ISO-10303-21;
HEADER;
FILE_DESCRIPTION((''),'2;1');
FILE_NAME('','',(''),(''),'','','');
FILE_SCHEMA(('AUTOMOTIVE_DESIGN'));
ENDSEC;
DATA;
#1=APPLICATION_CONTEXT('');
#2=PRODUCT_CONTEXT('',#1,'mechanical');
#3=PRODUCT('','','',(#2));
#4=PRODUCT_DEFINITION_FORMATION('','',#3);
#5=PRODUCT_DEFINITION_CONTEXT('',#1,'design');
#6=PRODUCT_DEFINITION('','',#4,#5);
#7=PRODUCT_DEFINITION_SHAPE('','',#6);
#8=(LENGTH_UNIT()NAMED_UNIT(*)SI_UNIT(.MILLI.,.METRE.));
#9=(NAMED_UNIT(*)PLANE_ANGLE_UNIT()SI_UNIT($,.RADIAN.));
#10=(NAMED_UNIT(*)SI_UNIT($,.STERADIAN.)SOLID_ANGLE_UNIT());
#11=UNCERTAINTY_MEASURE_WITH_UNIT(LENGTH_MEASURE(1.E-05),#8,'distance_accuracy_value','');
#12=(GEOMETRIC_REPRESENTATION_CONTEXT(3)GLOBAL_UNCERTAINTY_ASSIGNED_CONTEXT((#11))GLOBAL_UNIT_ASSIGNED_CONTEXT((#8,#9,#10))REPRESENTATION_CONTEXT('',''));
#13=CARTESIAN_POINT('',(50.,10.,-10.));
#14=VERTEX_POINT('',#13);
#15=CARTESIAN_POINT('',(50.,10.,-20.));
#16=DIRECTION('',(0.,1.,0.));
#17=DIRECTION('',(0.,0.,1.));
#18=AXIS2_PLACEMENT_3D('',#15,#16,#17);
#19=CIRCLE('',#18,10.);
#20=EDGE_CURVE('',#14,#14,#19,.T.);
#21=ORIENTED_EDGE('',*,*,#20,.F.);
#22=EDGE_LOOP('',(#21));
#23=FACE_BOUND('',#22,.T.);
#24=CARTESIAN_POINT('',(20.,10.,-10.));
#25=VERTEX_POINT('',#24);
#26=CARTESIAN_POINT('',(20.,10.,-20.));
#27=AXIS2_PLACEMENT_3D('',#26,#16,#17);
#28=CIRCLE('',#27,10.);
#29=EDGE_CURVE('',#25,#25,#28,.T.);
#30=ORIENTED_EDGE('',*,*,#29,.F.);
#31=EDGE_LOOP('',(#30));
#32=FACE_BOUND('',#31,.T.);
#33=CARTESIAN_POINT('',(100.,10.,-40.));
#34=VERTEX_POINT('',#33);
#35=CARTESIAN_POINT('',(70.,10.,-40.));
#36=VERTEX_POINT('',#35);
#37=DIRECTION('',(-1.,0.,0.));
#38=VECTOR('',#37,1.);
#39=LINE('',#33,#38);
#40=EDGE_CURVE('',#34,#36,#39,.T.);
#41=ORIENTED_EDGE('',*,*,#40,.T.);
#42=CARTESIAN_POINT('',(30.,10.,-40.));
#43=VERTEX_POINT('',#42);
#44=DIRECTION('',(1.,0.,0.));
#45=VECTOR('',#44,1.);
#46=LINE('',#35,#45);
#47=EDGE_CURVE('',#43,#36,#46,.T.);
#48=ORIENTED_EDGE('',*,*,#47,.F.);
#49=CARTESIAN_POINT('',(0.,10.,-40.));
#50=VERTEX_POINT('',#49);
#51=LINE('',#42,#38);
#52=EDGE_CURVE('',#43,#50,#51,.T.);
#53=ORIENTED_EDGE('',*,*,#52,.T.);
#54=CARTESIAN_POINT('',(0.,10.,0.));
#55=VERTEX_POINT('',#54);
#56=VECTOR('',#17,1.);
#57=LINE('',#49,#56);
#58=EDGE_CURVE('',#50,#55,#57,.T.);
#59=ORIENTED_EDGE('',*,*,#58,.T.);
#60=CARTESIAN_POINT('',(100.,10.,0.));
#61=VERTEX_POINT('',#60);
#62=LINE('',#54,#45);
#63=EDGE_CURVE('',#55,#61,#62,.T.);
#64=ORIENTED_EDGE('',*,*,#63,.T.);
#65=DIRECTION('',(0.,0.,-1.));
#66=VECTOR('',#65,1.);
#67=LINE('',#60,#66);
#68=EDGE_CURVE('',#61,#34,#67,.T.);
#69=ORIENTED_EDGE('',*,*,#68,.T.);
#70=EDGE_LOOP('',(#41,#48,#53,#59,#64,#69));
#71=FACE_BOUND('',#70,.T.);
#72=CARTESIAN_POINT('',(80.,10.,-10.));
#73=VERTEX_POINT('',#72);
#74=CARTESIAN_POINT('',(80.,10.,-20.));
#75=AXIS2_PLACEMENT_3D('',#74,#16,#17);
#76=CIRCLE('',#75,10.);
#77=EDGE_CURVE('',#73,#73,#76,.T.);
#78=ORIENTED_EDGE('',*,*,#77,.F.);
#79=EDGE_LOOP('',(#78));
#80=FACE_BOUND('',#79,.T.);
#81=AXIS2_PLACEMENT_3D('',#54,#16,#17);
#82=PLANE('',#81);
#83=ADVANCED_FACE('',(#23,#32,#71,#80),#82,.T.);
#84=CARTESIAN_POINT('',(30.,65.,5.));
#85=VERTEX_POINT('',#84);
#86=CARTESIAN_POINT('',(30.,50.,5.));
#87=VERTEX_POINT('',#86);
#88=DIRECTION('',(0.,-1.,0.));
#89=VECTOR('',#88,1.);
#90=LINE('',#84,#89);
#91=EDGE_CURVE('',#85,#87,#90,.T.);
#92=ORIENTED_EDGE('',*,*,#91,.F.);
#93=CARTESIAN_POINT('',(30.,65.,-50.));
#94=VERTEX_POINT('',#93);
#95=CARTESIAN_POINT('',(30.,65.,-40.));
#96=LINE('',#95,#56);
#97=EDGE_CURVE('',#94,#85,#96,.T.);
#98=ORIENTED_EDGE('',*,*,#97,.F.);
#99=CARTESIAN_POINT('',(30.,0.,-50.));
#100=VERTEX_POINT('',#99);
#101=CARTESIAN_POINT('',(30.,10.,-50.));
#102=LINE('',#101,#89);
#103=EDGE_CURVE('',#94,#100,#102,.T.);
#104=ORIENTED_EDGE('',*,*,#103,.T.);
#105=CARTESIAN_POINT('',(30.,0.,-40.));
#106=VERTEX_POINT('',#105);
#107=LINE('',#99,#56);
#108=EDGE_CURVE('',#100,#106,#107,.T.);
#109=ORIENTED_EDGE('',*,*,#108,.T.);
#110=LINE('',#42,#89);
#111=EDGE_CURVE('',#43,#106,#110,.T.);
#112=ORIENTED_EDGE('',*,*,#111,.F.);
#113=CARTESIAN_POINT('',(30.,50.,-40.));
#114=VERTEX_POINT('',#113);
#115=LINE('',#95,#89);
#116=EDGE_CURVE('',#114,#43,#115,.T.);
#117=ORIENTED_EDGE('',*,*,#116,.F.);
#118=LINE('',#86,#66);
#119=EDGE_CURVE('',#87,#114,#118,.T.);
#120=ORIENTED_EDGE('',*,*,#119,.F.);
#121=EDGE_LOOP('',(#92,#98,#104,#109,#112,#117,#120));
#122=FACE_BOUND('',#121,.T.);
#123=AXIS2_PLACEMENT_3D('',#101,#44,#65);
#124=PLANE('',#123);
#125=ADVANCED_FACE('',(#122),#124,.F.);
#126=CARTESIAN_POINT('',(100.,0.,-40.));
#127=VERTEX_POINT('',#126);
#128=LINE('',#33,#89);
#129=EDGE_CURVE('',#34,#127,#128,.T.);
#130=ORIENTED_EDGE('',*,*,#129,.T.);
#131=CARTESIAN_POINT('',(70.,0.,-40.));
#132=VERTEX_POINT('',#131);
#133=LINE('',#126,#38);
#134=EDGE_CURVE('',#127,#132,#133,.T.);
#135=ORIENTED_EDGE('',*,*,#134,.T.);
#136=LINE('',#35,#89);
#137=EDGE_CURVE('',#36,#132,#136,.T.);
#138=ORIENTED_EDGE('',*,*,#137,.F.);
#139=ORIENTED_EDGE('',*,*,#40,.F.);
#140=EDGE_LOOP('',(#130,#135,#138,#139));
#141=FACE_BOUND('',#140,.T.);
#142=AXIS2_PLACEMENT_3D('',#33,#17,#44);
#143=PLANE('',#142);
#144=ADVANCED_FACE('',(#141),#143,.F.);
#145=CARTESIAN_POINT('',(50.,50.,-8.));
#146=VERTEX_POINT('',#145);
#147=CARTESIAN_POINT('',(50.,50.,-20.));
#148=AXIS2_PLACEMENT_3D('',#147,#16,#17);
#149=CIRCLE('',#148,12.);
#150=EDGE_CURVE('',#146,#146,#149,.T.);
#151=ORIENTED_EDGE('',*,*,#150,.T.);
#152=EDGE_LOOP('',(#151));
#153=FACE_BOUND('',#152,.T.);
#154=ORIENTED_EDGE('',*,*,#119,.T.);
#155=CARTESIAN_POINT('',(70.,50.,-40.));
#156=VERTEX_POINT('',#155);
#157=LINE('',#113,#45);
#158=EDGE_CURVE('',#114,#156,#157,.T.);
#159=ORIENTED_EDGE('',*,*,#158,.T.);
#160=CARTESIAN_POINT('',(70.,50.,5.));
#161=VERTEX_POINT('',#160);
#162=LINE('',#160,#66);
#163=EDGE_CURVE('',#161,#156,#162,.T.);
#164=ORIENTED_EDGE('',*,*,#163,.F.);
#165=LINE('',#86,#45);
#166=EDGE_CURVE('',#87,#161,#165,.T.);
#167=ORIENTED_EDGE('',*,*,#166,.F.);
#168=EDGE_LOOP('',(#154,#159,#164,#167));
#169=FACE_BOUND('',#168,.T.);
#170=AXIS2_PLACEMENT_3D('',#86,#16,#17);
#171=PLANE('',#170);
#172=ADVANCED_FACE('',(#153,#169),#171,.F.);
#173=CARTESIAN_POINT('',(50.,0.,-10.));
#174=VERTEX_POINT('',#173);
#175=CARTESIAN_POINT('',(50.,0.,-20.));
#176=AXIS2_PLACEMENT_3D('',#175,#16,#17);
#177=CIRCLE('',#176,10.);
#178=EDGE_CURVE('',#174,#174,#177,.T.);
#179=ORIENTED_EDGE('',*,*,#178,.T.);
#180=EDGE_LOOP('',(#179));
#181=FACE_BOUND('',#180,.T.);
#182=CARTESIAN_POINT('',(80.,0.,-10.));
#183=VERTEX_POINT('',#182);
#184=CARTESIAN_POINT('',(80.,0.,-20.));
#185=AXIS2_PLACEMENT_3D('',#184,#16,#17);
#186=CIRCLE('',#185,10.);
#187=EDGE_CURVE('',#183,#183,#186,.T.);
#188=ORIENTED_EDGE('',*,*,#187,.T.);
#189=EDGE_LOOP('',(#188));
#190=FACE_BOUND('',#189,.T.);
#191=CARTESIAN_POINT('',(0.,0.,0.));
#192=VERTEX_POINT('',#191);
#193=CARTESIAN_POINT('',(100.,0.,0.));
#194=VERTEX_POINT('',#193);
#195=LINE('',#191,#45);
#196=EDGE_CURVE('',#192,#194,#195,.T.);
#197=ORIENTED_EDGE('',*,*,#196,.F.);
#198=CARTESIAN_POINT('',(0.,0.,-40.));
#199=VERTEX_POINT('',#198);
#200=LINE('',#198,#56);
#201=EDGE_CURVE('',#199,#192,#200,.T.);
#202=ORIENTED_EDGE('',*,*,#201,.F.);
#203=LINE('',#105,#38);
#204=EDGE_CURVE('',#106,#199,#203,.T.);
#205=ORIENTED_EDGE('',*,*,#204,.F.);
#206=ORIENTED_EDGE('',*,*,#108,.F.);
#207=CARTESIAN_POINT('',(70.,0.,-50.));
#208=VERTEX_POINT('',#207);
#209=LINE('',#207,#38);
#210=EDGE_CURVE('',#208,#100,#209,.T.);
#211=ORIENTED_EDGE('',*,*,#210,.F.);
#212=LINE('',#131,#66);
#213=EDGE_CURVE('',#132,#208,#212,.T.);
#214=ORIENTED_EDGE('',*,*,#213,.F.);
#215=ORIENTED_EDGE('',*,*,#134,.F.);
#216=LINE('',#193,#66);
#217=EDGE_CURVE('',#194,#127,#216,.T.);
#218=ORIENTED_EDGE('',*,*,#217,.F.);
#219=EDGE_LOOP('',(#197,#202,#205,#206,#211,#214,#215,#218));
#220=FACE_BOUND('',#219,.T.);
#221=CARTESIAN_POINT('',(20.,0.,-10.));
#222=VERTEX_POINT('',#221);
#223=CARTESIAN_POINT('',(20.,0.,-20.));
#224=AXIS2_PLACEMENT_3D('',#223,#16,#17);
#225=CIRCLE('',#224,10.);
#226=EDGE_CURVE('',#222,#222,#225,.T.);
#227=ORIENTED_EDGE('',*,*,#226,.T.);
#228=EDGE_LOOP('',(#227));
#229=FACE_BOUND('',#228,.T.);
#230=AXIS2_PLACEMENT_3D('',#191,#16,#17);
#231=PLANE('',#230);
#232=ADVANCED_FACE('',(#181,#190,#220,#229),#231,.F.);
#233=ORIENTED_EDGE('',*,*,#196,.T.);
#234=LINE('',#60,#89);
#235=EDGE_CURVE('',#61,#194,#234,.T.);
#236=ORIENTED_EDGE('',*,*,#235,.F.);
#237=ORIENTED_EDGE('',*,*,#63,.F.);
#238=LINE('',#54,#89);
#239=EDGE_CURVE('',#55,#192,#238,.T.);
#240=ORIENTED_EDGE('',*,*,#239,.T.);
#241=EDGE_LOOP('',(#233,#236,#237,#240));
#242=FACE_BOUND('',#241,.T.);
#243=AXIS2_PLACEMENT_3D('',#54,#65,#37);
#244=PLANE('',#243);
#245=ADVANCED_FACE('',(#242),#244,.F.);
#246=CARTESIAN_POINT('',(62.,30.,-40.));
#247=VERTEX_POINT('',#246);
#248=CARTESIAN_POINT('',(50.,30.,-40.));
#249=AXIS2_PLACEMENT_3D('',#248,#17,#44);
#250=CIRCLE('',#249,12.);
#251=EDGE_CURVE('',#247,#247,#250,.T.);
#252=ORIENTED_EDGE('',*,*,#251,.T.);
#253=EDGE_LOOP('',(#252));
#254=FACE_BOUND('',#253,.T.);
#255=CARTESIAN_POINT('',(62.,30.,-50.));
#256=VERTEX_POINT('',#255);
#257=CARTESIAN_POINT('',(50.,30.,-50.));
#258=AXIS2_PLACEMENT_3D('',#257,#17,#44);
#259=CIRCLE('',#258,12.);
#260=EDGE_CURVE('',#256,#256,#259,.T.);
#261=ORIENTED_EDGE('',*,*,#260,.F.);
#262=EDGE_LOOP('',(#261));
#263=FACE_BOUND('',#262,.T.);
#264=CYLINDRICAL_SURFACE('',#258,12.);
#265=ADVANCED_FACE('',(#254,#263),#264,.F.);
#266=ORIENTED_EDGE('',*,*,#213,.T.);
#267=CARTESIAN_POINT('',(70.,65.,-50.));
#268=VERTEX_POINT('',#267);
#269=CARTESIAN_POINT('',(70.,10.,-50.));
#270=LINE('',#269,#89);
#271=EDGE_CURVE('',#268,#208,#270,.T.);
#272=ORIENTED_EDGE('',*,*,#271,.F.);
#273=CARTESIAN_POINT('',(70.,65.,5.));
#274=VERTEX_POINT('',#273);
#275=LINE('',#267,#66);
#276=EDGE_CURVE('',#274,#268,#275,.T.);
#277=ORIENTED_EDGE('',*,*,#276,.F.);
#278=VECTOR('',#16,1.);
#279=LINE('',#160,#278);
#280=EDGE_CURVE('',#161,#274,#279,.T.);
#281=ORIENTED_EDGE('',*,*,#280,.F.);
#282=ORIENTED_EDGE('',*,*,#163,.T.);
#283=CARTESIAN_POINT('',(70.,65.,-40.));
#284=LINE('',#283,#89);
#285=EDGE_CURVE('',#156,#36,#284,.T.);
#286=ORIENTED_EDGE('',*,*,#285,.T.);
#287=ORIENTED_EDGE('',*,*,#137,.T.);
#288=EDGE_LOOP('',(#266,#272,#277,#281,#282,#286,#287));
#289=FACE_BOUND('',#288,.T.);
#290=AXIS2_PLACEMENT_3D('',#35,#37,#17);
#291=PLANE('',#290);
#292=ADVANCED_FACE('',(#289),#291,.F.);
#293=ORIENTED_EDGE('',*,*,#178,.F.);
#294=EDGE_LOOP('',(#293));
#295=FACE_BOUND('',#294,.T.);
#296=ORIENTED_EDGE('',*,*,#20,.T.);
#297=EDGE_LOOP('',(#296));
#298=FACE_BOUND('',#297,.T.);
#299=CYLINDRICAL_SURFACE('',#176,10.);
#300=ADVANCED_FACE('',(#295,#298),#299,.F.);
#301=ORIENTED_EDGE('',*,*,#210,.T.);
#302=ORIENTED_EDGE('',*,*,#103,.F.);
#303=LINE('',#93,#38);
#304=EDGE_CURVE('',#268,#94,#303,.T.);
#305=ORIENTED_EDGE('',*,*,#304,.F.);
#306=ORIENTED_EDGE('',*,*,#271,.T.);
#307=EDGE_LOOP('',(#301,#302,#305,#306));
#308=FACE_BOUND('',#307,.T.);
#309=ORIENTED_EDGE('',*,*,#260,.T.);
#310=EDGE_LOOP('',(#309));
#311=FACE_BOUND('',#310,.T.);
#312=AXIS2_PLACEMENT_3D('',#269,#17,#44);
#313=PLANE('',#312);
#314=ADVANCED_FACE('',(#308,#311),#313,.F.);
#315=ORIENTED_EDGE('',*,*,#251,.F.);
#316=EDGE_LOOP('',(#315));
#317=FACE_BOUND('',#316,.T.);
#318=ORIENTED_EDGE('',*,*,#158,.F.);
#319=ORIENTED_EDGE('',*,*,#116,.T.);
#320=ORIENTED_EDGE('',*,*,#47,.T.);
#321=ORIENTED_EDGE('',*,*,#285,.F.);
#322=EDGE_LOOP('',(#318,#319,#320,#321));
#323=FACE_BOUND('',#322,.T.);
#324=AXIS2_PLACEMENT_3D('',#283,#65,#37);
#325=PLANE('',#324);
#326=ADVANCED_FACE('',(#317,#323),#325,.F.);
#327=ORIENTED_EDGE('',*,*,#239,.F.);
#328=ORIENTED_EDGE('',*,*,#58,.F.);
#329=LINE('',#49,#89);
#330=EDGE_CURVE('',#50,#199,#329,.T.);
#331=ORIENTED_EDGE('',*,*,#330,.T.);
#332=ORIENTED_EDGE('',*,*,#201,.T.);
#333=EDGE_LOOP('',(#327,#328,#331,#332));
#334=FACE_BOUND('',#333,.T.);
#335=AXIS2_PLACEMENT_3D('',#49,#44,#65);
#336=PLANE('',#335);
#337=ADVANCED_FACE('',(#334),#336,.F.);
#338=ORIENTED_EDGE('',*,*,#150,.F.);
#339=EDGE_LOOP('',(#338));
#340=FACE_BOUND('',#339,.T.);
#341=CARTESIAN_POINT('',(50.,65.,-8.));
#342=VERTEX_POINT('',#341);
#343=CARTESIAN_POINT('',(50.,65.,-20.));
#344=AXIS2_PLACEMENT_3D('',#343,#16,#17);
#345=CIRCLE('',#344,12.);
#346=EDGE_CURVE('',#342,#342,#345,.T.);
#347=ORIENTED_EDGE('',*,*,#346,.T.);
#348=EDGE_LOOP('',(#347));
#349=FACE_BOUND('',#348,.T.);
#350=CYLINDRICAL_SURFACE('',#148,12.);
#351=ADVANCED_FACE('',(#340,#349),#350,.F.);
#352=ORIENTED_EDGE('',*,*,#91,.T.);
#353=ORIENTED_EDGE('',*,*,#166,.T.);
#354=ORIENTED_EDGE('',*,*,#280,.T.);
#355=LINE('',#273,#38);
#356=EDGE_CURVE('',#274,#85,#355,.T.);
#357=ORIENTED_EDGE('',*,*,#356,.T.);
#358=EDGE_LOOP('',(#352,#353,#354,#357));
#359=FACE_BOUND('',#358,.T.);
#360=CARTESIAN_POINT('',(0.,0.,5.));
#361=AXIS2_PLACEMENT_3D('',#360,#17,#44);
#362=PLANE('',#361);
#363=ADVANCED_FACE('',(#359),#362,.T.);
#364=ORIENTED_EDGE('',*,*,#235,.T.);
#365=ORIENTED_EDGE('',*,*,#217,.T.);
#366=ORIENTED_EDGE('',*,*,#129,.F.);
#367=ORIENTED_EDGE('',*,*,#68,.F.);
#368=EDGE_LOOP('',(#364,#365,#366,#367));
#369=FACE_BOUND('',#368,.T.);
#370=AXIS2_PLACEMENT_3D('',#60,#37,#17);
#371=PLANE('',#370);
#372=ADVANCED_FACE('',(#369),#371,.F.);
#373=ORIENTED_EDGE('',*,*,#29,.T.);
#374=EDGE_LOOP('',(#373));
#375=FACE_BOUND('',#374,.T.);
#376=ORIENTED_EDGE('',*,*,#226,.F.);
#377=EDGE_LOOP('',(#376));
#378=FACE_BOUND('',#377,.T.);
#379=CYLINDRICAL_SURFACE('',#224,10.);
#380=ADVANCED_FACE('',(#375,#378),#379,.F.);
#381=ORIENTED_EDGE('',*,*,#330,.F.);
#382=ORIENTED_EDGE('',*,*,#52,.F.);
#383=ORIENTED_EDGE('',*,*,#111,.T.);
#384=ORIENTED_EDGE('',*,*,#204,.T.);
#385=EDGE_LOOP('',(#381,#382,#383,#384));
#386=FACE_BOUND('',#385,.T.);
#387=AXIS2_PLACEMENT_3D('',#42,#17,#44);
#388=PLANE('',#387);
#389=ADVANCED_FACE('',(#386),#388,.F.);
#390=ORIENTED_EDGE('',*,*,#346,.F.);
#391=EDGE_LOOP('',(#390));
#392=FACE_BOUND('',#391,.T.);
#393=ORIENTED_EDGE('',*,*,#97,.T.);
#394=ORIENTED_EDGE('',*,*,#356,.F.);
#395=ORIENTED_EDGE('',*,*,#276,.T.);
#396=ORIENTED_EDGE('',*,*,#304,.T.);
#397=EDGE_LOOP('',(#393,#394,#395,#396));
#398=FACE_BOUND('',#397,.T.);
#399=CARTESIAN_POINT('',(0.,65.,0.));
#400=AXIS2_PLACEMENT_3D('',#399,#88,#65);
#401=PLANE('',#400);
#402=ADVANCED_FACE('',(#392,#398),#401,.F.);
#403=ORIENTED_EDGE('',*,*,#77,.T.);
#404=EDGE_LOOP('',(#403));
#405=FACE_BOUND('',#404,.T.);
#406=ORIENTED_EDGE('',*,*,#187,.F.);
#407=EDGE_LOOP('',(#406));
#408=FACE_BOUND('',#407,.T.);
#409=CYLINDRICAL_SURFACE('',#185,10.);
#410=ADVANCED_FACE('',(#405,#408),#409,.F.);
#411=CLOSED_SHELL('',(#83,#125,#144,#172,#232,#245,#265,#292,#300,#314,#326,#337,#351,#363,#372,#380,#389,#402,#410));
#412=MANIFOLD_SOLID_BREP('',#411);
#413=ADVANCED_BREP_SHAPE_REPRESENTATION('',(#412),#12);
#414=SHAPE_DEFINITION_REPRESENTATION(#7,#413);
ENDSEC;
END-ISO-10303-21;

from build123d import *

# Parameters (mm, degrees)
BOSS_EXTRUDE1_DEPTH = 10
SKETCH3_R           = 10
CUT_EXTRUDE1_DEPTH  = 10
SKETCH4_W           = 40
SKETCH4_H           = 10
BOSS_EXTRUDE3_DEPTH = 55
SKETCH6_R           = 12
CUT_EXTRUDE2_DEPTH  = 10
SKETCH7_W           = 40
SKETCH7_H           = 15
BOSS_EXTRUDE4_DEPTH = 45
SKETCH8_R           = 12
CUT_EXTRUDE3_DEPTH  = 15


with BuildPart() as part:
    # Sketch2 → Boss-Extrude1 (new body)
    with BuildSketch(Plane(origin=(0, 0, 0), x_dir=(1, 0, 0), z_dir=(0, 1, 0))):
        Polygon((0, 0), (100, 0), (100, 40), (70, 40), (70, 50), (30, 50), (30, 40), (0, 40), align=None)
    extrude(amount=BOSS_EXTRUDE1_DEPTH)

    # Sketch3 → Cut-Extrude1 (cut)
    with BuildSketch(Plane(origin=(0, 10, 0), x_dir=(1, 0, 0), z_dir=(0, 1, 0))):
        with Locations((80, 20)):
            Circle(SKETCH3_R)
        with Locations((50, 20)):
            Circle(SKETCH3_R)
        with Locations((20, 20)):
            Circle(SKETCH3_R)
    extrude(amount=-CUT_EXTRUDE1_DEPTH, mode=Mode.SUBTRACT)

    # Sketch4 → Boss-Extrude3 (add)
    with BuildSketch(Plane(origin=(0, 10, 0), x_dir=(1, 0, 0), z_dir=(0, 1, 0))):
        with Locations((50, 45)):
            Rectangle(SKETCH4_W, SKETCH4_H)
    extrude(amount=BOSS_EXTRUDE3_DEPTH)

    # Sketch6 → Cut-Extrude2 (cut)
    with BuildSketch(Plane.XY.offset(-40)):
        with Locations((50, 30)):
            Circle(SKETCH6_R)
    extrude(amount=-CUT_EXTRUDE2_DEPTH, mode=Mode.SUBTRACT)

    # Sketch7 → Boss-Extrude4 (add)
    with BuildSketch(Plane.XY.offset(-40)):
        with Locations((50, 57.5)):
            Rectangle(SKETCH7_W, SKETCH7_H)
    extrude(amount=BOSS_EXTRUDE4_DEPTH)

    # Sketch8 → Cut-Extrude3 (cut)
    with BuildSketch(Plane(origin=(0, 65, 0), x_dir=(1, 0, 0), z_dir=(0, 1, 0))):
        with Locations((50, 20)):
            Circle(SKETCH8_R)
    extrude(amount=-CUT_EXTRUDE3_DEPTH, mode=Mode.SUBTRACT)


solid = part.part
